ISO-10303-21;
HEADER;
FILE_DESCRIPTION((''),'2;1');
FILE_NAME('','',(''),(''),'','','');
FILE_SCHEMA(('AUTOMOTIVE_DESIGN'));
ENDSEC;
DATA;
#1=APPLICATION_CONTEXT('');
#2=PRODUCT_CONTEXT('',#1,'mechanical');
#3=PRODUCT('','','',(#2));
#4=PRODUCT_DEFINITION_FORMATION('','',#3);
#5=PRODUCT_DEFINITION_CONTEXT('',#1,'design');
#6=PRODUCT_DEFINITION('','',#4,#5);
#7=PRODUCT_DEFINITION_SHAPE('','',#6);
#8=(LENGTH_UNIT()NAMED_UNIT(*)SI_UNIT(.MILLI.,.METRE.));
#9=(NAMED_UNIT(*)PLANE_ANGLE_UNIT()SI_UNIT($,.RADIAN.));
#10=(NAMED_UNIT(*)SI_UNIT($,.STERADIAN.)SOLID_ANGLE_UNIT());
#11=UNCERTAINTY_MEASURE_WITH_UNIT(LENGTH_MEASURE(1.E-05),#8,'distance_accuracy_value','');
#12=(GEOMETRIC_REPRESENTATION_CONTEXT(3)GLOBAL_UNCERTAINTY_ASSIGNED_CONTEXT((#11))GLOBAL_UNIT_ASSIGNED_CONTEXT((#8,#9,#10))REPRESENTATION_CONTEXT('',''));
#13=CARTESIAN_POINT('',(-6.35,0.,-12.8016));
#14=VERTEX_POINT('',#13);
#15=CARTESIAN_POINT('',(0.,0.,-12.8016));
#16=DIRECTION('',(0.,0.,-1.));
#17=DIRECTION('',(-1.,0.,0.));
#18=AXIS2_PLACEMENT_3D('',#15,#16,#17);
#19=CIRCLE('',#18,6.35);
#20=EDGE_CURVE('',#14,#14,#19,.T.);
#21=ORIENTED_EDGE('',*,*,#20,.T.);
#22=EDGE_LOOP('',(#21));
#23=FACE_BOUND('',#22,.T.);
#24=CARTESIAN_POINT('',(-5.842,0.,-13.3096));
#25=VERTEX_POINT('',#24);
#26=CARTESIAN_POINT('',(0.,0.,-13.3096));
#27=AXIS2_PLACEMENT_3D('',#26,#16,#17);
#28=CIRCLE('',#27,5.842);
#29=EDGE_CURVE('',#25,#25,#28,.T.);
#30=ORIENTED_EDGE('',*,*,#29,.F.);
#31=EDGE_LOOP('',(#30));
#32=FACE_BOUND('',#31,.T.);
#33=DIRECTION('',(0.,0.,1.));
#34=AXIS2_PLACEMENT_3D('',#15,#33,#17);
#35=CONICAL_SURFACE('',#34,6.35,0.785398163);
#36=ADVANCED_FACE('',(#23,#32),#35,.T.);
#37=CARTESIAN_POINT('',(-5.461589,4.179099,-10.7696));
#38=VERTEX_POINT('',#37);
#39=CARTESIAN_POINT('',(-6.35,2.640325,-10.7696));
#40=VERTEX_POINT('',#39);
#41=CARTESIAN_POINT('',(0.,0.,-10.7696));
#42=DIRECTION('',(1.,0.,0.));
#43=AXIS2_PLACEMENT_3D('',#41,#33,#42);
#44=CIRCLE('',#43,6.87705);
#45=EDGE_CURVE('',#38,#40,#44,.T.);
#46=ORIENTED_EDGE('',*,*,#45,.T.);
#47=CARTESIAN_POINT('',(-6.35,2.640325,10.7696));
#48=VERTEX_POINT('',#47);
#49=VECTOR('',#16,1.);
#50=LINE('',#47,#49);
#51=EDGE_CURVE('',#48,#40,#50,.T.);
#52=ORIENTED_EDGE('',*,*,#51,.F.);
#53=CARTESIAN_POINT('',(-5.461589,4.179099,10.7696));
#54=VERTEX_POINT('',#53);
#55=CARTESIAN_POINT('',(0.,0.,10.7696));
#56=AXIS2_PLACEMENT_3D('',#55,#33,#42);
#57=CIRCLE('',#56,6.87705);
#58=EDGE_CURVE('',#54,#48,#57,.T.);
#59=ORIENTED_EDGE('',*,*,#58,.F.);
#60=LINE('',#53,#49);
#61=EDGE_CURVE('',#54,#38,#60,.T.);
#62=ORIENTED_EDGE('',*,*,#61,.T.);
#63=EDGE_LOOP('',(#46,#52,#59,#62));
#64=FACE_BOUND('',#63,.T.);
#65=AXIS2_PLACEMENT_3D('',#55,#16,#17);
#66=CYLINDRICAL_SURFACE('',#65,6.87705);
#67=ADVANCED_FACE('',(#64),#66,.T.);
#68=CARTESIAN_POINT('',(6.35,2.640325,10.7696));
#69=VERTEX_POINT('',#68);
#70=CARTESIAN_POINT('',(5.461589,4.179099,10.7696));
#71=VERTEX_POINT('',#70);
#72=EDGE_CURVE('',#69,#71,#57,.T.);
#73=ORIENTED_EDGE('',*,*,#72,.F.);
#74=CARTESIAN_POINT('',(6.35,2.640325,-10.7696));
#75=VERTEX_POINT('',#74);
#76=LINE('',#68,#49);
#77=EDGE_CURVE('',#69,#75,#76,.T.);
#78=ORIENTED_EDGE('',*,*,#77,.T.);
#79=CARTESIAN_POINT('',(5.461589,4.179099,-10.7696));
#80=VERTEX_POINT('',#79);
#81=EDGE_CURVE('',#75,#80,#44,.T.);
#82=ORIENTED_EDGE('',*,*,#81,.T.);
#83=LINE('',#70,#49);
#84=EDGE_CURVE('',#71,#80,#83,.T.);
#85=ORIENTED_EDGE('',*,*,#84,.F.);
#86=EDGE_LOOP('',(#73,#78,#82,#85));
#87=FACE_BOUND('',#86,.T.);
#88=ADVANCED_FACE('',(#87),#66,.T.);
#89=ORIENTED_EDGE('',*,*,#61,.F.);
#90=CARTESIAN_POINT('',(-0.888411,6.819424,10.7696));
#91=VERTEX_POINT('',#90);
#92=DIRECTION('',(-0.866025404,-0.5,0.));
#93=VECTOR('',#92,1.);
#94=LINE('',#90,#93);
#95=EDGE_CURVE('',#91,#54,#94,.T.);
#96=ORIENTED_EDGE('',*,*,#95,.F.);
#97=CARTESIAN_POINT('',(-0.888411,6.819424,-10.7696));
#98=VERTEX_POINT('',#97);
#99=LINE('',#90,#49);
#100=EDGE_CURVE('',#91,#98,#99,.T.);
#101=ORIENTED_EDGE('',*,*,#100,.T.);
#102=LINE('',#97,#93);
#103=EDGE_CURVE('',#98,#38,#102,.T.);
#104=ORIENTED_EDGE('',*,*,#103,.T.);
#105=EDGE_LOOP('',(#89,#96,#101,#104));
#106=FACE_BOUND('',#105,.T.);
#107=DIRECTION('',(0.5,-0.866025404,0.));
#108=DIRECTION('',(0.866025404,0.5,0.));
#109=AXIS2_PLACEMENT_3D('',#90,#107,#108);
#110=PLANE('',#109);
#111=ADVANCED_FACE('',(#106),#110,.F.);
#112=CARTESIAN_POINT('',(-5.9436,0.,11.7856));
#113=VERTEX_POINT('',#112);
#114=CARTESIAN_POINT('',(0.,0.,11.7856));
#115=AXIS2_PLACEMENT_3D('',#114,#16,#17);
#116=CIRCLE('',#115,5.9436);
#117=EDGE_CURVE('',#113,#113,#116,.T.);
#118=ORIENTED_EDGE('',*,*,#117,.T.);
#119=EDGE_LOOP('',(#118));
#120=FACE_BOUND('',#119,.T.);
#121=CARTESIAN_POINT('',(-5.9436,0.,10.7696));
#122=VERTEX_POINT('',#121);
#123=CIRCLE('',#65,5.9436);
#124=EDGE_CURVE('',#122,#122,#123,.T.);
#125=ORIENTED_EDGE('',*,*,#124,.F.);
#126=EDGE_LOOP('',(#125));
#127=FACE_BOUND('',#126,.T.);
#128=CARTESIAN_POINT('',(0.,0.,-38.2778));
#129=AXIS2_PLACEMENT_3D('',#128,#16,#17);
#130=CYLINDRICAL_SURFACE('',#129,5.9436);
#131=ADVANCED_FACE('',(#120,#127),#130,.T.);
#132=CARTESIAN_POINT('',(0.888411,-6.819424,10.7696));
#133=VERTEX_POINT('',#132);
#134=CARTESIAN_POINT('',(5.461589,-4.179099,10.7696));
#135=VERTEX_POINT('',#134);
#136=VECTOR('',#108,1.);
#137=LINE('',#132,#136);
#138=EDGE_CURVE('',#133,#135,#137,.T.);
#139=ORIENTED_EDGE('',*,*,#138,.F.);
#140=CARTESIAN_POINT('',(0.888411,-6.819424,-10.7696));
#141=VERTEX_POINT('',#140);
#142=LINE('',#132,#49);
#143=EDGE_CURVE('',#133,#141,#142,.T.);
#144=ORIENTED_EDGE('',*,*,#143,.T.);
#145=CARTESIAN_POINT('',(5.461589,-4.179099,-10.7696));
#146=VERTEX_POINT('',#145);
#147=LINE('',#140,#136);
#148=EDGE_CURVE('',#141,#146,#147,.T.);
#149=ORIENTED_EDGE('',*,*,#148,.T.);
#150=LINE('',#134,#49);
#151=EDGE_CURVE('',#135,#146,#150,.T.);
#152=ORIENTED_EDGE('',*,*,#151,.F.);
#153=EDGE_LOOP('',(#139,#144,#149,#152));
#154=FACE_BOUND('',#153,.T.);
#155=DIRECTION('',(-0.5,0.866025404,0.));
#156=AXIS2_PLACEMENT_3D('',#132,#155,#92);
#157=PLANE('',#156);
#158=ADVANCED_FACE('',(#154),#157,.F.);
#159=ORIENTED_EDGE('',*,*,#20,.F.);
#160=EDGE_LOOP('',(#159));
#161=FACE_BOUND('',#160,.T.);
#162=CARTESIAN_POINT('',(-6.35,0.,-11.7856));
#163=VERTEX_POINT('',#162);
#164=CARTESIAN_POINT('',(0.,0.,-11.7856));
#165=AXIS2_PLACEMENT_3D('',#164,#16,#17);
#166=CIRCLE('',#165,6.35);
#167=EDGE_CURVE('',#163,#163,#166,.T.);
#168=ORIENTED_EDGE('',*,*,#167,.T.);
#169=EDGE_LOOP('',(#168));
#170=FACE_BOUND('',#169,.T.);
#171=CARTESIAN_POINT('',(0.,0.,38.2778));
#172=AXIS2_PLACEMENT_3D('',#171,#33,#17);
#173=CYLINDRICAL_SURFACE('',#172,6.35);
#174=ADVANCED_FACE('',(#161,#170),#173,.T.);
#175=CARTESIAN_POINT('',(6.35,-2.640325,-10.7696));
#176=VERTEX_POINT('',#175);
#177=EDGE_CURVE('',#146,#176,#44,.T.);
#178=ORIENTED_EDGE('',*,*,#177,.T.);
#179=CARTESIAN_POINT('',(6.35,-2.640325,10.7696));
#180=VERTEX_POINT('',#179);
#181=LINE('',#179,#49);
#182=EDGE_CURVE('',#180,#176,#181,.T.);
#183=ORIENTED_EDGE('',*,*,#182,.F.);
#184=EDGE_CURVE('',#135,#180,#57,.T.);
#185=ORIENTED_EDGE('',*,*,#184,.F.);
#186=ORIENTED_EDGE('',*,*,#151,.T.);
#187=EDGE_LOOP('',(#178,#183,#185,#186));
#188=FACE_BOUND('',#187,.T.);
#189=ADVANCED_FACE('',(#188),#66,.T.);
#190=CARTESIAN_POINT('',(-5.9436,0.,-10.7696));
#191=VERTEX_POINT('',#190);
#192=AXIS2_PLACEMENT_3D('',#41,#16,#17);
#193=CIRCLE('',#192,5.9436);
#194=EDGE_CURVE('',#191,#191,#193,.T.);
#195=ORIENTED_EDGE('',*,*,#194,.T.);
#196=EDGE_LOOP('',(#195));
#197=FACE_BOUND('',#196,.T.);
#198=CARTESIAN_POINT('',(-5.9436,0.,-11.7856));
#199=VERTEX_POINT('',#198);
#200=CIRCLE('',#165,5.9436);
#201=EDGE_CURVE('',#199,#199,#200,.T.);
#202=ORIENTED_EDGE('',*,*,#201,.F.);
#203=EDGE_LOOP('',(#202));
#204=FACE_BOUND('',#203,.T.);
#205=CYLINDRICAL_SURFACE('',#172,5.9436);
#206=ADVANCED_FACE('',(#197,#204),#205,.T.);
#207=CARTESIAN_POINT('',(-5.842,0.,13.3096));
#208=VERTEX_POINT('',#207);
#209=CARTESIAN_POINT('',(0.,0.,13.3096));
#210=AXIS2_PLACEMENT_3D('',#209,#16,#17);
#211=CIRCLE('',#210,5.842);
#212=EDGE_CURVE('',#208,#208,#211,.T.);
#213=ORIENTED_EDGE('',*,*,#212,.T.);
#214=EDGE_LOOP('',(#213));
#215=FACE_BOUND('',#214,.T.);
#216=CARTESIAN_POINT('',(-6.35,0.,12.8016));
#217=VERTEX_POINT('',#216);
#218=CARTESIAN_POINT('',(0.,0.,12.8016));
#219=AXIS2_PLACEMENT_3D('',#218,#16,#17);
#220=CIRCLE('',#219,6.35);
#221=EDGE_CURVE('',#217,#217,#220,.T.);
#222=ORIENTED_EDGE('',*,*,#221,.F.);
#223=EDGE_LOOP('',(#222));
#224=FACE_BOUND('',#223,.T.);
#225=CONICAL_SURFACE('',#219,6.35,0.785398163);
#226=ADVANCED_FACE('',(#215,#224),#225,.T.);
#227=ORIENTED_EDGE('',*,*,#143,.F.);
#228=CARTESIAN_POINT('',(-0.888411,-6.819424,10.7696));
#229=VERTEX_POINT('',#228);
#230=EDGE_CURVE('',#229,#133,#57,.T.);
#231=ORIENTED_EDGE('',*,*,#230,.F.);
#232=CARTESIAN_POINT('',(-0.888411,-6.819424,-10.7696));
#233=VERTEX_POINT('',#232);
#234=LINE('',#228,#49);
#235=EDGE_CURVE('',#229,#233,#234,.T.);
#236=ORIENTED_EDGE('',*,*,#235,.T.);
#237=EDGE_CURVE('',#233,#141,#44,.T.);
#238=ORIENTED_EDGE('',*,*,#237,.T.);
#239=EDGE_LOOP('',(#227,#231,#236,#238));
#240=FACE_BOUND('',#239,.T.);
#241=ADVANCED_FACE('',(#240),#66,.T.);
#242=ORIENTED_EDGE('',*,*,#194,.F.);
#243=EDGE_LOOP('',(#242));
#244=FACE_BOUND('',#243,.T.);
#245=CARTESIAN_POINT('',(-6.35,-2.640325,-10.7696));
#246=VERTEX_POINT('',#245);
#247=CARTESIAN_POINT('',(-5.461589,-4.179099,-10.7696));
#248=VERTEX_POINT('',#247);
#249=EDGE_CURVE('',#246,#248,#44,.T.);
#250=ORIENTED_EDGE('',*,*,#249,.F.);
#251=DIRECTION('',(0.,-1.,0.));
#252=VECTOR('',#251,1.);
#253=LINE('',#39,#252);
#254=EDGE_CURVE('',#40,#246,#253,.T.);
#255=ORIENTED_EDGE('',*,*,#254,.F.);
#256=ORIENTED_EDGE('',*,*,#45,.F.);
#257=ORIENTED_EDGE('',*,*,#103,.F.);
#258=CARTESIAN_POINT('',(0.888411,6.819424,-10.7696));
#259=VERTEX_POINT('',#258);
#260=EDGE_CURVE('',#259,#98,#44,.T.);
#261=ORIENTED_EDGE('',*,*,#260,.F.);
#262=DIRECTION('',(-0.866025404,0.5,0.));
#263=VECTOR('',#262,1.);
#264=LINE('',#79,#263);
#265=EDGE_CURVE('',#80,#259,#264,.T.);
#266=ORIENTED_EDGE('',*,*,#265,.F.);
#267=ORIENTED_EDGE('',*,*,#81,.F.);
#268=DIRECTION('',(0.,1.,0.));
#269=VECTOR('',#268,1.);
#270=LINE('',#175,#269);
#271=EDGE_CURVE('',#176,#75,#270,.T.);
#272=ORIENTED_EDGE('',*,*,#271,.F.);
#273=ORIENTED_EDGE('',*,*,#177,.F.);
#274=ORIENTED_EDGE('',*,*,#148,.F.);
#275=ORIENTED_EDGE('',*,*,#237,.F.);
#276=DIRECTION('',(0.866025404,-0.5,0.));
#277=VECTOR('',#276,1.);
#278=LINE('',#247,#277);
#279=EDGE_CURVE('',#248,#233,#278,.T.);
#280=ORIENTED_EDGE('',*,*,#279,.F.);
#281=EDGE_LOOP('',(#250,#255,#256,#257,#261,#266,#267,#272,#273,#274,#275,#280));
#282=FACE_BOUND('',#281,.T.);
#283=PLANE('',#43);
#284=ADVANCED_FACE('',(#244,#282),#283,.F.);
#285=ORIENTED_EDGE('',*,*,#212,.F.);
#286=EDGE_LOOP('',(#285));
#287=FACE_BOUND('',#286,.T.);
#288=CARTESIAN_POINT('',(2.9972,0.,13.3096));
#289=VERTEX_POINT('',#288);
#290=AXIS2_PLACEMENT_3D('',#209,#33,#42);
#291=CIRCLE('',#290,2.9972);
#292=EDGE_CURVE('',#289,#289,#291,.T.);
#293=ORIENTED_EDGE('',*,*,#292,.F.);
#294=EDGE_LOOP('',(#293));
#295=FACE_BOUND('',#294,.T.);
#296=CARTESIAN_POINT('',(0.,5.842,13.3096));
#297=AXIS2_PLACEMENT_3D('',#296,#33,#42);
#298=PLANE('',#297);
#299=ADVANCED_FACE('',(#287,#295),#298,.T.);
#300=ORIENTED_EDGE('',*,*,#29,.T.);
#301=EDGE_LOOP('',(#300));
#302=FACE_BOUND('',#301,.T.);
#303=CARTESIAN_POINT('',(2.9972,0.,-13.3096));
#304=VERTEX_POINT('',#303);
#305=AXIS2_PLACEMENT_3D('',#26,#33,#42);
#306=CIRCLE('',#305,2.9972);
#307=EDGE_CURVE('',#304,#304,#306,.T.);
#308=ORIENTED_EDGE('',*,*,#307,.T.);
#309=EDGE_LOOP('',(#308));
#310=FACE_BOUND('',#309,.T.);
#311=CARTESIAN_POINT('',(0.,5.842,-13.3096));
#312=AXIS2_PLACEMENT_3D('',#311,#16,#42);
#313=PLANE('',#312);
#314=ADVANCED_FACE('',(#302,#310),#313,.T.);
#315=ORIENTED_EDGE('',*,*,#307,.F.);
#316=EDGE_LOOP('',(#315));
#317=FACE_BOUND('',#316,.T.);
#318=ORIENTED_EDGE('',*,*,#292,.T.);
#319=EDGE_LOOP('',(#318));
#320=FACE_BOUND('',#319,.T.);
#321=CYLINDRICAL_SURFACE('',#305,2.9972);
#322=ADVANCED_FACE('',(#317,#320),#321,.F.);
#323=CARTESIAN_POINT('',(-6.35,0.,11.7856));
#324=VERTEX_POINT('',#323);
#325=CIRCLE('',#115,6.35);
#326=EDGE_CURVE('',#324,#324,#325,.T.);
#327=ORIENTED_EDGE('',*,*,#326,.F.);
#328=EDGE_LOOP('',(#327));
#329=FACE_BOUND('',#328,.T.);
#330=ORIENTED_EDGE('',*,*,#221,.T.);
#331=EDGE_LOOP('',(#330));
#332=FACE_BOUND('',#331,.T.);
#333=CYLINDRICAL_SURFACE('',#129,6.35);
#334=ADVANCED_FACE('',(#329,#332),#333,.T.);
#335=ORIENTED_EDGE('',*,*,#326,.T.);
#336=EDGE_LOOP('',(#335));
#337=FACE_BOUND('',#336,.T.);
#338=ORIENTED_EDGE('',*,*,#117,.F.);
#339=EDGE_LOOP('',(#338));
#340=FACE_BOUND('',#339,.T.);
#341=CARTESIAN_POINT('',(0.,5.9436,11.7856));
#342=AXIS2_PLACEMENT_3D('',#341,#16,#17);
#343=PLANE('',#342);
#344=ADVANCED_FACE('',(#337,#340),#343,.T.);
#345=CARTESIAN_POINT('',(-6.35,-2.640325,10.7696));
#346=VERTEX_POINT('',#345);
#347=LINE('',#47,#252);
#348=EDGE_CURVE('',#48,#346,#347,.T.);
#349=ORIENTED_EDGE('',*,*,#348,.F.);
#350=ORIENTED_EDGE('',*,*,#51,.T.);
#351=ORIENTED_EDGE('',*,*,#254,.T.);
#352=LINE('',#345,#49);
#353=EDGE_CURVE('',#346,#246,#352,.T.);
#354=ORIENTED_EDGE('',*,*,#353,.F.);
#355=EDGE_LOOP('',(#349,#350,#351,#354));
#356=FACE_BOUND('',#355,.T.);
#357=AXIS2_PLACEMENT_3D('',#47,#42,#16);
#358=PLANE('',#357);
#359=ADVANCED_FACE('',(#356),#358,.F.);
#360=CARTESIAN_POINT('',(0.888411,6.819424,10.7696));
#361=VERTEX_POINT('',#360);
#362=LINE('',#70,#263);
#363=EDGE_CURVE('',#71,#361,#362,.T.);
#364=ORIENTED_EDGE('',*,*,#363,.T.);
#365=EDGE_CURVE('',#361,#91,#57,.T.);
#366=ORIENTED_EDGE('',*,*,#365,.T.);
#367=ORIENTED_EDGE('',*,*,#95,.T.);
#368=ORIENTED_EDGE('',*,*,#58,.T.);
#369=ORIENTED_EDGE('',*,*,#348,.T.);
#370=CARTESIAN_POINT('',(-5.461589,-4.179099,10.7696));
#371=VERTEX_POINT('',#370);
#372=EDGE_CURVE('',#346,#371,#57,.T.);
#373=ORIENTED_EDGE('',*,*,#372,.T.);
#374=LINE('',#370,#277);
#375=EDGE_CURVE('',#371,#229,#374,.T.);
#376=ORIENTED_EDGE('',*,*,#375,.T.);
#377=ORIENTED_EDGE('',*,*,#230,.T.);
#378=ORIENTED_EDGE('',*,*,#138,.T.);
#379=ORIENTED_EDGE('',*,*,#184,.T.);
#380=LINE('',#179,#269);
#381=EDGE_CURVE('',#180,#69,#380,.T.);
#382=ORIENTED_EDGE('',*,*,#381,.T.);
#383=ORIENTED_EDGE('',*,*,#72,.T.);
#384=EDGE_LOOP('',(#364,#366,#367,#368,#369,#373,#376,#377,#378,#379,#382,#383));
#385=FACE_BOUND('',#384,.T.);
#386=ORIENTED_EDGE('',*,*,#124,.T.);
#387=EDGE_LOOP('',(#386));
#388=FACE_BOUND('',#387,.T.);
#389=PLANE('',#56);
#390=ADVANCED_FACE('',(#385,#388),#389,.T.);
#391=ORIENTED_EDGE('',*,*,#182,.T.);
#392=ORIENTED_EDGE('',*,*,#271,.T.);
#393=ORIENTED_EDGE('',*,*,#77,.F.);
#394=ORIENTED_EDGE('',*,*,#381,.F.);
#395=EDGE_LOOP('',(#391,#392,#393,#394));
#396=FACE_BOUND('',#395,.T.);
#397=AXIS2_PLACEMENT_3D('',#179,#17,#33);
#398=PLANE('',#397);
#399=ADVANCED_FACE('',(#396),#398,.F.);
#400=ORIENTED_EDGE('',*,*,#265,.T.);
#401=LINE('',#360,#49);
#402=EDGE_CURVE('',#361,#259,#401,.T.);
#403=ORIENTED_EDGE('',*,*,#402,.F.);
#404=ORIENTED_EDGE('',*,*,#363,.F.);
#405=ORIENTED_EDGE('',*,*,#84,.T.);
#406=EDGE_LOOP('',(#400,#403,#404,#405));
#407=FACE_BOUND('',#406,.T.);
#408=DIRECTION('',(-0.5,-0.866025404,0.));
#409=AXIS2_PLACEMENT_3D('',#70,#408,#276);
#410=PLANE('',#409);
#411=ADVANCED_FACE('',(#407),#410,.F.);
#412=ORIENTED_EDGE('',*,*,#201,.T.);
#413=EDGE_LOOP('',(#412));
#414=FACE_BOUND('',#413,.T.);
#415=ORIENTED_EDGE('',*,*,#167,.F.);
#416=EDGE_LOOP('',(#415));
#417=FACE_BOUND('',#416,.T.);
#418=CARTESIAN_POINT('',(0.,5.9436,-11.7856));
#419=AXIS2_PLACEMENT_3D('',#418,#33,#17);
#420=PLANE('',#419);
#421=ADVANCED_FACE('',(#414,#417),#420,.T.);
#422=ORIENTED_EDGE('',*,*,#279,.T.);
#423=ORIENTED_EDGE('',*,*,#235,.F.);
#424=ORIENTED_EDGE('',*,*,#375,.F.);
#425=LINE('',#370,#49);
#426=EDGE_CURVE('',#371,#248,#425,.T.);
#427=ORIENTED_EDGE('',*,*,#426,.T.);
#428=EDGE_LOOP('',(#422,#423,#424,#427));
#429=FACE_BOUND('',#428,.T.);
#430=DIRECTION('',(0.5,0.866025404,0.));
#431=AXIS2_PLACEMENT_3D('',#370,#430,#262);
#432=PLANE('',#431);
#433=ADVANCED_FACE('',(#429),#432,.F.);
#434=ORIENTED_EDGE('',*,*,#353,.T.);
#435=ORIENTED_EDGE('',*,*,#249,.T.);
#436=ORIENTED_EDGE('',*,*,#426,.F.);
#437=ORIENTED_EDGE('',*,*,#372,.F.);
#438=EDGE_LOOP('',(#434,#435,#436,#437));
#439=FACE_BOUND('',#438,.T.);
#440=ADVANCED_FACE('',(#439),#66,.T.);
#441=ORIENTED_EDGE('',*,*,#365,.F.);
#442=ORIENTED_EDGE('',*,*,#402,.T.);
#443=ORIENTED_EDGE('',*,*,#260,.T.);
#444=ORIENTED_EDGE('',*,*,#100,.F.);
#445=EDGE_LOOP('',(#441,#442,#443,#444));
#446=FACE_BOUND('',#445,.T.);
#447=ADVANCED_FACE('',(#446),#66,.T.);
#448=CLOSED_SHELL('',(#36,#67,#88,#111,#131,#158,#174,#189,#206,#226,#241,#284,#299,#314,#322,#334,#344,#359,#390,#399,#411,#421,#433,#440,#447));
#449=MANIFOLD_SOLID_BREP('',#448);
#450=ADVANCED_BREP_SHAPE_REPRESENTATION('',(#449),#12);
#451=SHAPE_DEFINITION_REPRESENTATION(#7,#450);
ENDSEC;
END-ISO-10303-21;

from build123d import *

# Parameters (mm, degrees)
SKETCH1_R               = 6.35
BASIC_ROD_DEPTH         = 10.7696
BASIC_ROD_DEPTH_BACK    = 10.7696
THEX_DEPTH              = 10.7696
SKETCH2_R               = 2.9972
INTERNAL_CUT_DEPTH      = 14.3096
INTERNAL_CUT_DEPTH_BACK = 14.3096


with BuildPart() as part:
    # Sketch1 → Basic Rod (new body, two sides)
    with BuildSketch(Plane.XY) as basic_rod_sk:
        Circle(SKETCH1_R)
    extrude(amount=BASIC_ROD_DEPTH)
    extrude(basic_rod_sk.sketch, amount=-BASIC_ROD_DEPTH_BACK)

    # Sketch8 → THex (add, symmetric)
    with BuildSketch(Plane.XY):
        with BuildLine():
            Line((-0.888411378, 6.819423871), (-5.461588622, 4.179098758))
            ThreePointArc((-5.461588622, 4.179098758), (-5.955700003, 3.438525), (-6.35, 2.640325113))
            Line((-6.35, 2.640325113), (-6.35, -2.640325113))
            ThreePointArc((-6.35, -2.640325113), (-5.955700003, -3.438525), (-5.461588622, -4.179098758))
            Line((-5.461588622, -4.179098758), (-0.888411378, -6.819423871))
            ThreePointArc((-0.888411378, -6.819423871), (0, -6.87705), (0.888411378, -6.819423871))
            Line((0.888411378, -6.819423871), (5.461588622, -4.179098758))
            ThreePointArc((5.461588622, -4.179098758), (5.955700003, -3.438525), (6.35, -2.640325113))
            Line((6.35, -2.640325113), (6.35, 2.640325113))
            ThreePointArc((6.35, 2.640325113), (5.955700003, 3.438525), (5.461588622, 4.179098758))
            Line((5.461588622, 4.179098758), (0.888411378, 6.819423871))
            ThreePointArc((0.888411378, 6.819423871), (0, 6.87705), (-0.888411378, 6.819423871))
        make_face()
    extrude(amount=THEX_DEPTH, both=True)

    # Sketch7 → 1stSnapRing (revolve)
    with BuildSketch(Plane(origin=(0, 0, 0), x_dir=(0, 0, -1), z_dir=(1, 0, 0))):
        Polygon((-10.7696, 5.9436), (-11.7856, 5.9436), (-11.7856, 6.35), (-12.8016, 6.35), (-13.3096, 5.842), (-13.3096, 0), (-10.7696, 0), align=None)
    f_1stsnapring = revolve(axis=Axis((0, 0, -38.2778), (0, 0, 1)))

    # 2ndSnapRing: 1stSnapRing across plane
    add(f_1stsnapring.mirror(Plane.XY))

    # Sketch2 → Internal Cut (cut, two sides)
    with BuildSketch(Plane.XY) as internal_cut_sk:
        Circle(SKETCH2_R)
    extrude(amount=INTERNAL_CUT_DEPTH, mode=Mode.SUBTRACT)
    extrude(internal_cut_sk.sketch, amount=-INTERNAL_CUT_DEPTH_BACK, mode=Mode.SUBTRACT)


solid = part.part
